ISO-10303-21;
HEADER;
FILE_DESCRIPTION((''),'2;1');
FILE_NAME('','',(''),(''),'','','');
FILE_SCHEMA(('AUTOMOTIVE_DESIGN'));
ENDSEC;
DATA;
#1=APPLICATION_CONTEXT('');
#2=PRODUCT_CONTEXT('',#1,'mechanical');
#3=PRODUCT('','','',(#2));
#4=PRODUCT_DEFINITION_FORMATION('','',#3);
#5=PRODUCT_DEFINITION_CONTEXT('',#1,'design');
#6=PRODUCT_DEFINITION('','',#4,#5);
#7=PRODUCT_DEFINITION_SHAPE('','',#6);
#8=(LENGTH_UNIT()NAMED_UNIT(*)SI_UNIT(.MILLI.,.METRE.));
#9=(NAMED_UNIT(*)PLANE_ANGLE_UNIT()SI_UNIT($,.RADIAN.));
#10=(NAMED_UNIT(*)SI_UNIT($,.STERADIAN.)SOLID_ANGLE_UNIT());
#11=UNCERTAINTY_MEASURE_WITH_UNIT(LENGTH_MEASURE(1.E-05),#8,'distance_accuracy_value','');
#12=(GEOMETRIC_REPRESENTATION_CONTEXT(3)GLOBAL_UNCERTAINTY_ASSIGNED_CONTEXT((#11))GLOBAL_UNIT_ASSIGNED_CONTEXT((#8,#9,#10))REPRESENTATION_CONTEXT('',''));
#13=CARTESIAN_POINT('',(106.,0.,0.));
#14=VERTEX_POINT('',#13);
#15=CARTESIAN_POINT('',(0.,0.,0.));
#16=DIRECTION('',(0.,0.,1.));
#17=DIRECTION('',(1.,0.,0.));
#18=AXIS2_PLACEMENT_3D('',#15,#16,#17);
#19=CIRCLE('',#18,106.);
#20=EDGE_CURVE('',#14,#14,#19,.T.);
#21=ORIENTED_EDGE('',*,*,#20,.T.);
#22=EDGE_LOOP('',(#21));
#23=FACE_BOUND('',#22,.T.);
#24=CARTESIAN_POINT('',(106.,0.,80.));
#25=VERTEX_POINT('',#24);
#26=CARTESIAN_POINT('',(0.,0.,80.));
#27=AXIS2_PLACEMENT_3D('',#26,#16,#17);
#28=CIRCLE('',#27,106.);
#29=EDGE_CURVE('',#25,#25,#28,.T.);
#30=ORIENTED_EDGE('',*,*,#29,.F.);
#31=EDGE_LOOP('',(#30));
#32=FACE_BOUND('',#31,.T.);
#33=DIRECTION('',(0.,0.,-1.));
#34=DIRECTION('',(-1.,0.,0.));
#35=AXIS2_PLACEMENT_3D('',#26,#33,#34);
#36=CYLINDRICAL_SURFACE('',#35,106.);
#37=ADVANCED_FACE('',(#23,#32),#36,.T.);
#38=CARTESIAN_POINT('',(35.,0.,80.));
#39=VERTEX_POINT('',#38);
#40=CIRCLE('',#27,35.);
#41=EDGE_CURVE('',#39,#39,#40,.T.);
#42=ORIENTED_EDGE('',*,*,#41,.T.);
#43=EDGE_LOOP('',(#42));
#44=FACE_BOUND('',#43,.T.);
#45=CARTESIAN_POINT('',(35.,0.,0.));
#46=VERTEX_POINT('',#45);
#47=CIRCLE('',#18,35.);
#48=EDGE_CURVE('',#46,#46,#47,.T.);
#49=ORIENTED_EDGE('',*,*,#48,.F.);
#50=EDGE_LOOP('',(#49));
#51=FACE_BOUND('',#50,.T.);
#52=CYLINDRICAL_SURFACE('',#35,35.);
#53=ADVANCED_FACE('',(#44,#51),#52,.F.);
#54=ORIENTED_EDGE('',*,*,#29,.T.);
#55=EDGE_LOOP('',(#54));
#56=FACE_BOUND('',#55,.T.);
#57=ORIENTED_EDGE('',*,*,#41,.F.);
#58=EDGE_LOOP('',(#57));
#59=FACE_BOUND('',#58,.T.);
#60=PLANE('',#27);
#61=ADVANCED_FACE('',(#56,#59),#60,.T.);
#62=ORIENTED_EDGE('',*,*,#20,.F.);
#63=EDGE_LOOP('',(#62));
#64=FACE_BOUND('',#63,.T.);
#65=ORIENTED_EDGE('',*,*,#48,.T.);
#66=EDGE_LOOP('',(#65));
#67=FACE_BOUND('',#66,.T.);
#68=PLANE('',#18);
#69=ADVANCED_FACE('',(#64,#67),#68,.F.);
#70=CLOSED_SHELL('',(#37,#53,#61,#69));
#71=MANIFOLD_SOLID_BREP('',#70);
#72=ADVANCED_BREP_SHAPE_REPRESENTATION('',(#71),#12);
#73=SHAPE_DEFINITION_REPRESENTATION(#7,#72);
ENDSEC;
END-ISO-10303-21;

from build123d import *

# Parameters (mm, degrees)
SKETCH_1_R      = 106
SKETCH_1_R_2    = 35
EXTRUDE_1_DEPTH = 80


with BuildPart() as part:
    # Эскиз1 → Бобышка-Вытянуть1 (new body)
    with BuildSketch(Plane.XY):
        Circle(SKETCH_1_R)
        Circle(SKETCH_1_R_2, mode=Mode.SUBTRACT)
    extrude(amount=EXTRUDE_1_DEPTH)


solid = part.part
